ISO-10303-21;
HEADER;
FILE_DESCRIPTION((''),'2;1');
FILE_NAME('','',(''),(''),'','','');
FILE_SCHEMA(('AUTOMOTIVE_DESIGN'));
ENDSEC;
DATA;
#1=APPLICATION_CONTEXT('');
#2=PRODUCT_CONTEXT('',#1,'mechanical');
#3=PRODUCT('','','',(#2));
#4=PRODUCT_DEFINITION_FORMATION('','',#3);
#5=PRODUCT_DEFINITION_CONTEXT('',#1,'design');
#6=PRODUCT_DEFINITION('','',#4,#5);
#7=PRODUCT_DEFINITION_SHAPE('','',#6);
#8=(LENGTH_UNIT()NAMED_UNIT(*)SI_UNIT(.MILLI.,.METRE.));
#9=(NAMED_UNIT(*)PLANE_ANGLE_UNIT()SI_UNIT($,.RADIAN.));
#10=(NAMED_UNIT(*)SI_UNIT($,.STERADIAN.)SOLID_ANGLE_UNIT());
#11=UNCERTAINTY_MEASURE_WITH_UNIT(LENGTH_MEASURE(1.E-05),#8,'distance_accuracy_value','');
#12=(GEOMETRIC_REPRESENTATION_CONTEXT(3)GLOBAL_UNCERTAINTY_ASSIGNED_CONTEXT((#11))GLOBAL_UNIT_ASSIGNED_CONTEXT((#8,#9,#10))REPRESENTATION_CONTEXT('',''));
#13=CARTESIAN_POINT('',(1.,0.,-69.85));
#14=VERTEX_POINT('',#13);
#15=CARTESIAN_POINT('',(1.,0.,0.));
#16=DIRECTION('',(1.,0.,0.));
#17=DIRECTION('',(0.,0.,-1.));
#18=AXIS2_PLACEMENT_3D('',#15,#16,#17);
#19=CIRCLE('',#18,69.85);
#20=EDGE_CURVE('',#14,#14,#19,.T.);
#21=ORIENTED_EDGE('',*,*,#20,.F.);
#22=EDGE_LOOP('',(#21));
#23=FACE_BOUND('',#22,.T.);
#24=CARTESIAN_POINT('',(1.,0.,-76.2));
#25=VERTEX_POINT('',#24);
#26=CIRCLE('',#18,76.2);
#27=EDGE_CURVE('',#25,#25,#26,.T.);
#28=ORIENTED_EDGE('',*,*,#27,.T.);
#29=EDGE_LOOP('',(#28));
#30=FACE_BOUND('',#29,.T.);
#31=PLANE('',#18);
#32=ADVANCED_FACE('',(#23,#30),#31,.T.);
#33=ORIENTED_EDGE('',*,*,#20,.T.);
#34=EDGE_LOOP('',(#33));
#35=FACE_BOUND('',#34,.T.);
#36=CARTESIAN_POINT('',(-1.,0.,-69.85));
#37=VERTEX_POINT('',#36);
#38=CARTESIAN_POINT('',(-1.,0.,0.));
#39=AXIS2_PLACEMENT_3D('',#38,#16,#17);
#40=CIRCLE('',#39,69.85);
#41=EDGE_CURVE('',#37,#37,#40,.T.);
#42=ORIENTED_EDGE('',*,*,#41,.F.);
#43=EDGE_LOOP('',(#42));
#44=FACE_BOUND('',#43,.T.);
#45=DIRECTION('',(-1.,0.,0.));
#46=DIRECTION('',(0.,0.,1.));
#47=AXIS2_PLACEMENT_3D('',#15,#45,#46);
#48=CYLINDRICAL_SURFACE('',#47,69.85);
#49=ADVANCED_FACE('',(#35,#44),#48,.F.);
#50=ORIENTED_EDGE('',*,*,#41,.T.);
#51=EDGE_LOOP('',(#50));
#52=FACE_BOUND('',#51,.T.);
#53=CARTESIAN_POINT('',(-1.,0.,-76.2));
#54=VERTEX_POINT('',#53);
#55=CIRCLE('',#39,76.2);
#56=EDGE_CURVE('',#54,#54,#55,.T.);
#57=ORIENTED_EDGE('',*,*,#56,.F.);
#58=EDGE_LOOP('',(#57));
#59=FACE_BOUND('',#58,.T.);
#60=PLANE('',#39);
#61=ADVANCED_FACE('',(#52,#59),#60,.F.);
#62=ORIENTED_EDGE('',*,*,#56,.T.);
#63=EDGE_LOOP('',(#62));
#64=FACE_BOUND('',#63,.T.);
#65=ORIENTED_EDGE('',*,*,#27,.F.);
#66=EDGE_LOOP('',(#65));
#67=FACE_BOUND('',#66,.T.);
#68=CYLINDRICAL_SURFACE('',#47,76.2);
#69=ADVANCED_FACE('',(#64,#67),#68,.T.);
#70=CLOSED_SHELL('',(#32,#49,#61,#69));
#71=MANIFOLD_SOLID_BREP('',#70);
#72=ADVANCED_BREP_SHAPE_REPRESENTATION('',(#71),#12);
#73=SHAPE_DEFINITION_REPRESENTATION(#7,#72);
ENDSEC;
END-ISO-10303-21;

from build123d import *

# Parameters (mm, degrees)
SKETCH1_R           = 76.2
SKETCH1_R_2         = 69.85
BOSS_EXTRUDE1_DEPTH = 1


with BuildPart() as part:
    # Sketch1 → Boss-Extrude1 (new body, symmetric)
    with BuildSketch(Plane(origin=(0, 0, 0), x_dir=(0, 0, -1), z_dir=(1, 0, 0))):
        Circle(SKETCH1_R)
        Circle(SKETCH1_R_2, mode=Mode.SUBTRACT)
    extrude(amount=BOSS_EXTRUDE1_DEPTH, both=True)


solid = part.part
